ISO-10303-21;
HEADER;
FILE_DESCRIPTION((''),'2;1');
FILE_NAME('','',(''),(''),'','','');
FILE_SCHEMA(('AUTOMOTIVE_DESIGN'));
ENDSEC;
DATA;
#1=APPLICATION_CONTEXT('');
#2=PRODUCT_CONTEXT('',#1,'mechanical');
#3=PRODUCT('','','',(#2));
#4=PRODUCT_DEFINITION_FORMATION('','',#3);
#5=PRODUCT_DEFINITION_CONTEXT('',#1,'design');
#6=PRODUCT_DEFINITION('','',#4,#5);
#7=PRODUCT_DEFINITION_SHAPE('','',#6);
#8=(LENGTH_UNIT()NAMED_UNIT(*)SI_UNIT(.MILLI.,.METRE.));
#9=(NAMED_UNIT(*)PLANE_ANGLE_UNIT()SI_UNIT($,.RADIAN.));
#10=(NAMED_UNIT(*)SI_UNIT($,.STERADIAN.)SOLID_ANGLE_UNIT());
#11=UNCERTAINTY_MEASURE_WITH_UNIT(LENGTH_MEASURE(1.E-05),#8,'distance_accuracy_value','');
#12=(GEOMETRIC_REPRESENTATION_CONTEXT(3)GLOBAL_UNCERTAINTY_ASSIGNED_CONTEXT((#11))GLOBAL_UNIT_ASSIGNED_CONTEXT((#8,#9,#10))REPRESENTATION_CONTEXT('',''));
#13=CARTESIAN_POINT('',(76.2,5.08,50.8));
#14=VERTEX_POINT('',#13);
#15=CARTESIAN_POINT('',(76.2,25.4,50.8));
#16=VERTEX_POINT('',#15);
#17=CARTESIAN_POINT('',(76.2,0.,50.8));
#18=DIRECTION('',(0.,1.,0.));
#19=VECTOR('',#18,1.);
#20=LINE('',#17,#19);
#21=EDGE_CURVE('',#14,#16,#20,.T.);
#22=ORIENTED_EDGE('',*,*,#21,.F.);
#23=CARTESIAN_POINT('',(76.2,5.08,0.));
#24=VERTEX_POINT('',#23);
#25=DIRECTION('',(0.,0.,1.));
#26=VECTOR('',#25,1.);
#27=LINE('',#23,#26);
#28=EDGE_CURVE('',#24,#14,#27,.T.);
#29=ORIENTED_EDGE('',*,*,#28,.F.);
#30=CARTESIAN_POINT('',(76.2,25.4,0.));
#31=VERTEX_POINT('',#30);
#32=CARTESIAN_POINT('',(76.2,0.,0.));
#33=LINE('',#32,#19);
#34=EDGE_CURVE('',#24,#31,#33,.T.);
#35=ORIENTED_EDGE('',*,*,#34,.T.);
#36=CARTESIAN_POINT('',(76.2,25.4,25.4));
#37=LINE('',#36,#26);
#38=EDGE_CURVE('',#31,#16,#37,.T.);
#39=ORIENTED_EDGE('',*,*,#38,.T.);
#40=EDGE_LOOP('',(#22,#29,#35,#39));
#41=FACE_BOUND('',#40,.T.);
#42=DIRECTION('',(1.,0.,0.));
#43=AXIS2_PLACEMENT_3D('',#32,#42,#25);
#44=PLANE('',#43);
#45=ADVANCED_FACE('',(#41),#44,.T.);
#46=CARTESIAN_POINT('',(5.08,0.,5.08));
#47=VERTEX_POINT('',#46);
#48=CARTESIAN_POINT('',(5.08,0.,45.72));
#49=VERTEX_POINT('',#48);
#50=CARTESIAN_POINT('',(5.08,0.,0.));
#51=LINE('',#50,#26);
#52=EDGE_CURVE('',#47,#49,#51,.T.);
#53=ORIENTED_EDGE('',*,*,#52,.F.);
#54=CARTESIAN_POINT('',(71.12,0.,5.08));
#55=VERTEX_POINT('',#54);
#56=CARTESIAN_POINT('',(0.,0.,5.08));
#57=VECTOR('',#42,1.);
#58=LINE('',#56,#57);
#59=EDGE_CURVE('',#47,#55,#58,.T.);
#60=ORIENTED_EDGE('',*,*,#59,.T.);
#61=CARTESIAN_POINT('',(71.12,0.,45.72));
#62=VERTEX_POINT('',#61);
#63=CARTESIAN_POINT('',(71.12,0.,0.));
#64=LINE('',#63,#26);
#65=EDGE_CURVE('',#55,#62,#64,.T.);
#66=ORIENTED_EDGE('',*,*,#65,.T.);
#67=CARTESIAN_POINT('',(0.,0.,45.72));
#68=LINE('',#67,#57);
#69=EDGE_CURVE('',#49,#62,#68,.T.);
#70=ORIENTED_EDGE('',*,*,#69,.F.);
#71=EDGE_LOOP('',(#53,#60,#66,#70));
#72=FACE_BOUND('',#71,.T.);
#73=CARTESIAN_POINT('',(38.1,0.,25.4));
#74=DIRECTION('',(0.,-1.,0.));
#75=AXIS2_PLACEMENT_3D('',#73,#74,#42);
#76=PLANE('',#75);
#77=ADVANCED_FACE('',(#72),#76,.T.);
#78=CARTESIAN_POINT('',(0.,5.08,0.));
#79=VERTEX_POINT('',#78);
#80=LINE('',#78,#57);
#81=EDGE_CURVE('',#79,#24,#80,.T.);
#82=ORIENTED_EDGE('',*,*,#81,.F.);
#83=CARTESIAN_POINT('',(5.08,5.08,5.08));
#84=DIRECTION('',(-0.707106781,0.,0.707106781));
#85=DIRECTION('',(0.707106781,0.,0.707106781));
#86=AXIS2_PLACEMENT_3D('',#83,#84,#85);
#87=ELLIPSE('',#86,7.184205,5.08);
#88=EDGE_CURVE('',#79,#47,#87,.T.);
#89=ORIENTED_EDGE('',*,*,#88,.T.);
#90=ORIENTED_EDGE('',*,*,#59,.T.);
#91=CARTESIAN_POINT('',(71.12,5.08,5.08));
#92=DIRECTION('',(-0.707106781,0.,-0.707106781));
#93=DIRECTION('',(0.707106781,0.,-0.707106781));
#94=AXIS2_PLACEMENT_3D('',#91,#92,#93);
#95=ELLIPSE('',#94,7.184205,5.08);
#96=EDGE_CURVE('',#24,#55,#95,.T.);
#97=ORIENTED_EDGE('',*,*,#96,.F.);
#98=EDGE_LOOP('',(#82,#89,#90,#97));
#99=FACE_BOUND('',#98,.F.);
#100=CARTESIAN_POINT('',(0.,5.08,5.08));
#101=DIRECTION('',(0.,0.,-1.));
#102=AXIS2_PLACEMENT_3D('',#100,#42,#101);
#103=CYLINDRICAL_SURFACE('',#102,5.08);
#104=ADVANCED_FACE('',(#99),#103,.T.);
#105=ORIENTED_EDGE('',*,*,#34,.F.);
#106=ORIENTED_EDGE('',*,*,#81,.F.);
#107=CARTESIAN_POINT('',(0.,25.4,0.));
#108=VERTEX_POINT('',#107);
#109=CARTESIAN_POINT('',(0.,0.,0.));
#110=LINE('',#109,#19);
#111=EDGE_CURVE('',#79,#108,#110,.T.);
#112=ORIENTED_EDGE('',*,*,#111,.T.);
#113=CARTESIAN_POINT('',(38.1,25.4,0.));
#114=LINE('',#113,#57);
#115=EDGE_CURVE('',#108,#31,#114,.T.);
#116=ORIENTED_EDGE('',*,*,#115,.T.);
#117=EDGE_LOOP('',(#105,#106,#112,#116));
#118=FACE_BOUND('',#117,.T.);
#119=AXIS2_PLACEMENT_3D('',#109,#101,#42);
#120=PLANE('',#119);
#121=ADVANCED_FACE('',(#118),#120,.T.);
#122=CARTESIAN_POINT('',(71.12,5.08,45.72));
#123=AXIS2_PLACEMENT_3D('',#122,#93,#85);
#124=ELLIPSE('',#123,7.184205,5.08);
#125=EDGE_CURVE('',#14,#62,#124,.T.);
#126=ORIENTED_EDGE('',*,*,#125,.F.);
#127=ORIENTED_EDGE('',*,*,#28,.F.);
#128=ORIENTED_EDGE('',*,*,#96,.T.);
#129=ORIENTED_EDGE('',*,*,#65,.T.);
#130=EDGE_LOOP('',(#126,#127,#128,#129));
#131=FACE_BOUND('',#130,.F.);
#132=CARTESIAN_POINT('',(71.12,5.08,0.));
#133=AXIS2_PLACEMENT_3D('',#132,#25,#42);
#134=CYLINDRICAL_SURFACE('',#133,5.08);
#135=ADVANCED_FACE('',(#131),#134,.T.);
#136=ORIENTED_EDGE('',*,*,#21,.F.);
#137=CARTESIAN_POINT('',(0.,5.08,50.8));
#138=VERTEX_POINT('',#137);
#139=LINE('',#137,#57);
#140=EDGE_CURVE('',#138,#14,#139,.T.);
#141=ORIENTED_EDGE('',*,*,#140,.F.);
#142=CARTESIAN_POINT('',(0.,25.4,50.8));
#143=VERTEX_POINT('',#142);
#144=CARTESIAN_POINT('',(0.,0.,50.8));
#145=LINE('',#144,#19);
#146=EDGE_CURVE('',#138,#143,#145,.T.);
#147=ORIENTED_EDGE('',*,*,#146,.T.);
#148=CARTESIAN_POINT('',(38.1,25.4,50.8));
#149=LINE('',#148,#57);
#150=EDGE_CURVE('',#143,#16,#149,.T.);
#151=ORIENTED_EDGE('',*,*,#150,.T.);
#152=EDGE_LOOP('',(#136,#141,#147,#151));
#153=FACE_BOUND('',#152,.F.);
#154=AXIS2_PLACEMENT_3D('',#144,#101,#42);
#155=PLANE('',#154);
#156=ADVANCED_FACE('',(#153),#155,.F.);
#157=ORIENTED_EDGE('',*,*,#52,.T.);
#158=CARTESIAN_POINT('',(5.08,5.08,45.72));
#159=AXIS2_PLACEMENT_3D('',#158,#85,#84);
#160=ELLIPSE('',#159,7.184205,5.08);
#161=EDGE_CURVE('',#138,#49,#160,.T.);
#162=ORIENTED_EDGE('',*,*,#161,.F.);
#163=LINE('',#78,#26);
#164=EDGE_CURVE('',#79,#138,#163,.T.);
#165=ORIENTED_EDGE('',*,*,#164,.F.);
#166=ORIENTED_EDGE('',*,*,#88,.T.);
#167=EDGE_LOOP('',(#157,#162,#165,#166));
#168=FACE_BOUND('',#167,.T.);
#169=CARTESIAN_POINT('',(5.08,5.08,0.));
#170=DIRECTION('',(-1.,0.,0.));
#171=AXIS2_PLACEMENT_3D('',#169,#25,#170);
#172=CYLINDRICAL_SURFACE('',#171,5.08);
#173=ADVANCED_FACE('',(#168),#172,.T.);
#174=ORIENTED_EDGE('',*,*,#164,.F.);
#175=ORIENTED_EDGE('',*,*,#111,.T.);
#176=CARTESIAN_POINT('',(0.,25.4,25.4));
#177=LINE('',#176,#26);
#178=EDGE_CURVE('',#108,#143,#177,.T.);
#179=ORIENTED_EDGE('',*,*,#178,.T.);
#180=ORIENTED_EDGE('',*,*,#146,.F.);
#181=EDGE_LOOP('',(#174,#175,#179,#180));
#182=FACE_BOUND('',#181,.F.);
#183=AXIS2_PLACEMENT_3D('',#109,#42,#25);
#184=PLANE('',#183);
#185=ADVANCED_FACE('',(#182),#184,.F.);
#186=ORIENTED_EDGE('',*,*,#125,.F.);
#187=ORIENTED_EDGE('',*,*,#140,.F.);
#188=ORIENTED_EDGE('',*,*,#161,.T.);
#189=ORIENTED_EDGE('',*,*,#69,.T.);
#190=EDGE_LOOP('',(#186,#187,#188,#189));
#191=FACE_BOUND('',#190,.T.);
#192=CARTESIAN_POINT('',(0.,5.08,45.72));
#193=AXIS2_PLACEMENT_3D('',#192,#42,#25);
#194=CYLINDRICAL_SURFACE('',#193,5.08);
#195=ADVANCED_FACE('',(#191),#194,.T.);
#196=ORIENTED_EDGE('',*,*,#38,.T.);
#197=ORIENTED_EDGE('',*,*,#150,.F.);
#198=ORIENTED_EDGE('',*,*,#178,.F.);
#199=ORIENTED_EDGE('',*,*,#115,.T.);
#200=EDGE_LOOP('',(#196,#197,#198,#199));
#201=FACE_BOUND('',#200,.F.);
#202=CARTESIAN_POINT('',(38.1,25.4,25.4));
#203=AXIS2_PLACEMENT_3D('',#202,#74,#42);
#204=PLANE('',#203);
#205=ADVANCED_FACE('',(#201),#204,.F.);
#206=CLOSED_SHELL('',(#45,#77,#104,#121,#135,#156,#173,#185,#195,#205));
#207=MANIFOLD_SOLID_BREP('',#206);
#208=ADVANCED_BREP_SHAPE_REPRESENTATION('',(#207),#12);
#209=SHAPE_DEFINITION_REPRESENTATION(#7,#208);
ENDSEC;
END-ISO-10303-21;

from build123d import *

# Parameters (mm, degrees)
F0_W     = 76.2
F0_H     = 50.8
F1_DEPTH = 25.4
F2_R     = 5.08


with BuildPart() as f1:
    # F0 (on Front) → F1 (new body)
    with BuildSketch(Plane.XZ):
        with Locations((38.1, 25.4)):
            Rectangle(F0_W, F0_H)
    extrude(amount=-F1_DEPTH)

    # F2
    f2_edges = [f1.edges().sort_by_distance(p)[0] for p in [
        (0, 0, 25.4),
        (38.1, 0, 0),
        (76.2, 0, 25.4),
        (38.1, 0, 50.8),
    ]]
    fillet(f2_edges, radius=F2_R)


solid = f1.part
